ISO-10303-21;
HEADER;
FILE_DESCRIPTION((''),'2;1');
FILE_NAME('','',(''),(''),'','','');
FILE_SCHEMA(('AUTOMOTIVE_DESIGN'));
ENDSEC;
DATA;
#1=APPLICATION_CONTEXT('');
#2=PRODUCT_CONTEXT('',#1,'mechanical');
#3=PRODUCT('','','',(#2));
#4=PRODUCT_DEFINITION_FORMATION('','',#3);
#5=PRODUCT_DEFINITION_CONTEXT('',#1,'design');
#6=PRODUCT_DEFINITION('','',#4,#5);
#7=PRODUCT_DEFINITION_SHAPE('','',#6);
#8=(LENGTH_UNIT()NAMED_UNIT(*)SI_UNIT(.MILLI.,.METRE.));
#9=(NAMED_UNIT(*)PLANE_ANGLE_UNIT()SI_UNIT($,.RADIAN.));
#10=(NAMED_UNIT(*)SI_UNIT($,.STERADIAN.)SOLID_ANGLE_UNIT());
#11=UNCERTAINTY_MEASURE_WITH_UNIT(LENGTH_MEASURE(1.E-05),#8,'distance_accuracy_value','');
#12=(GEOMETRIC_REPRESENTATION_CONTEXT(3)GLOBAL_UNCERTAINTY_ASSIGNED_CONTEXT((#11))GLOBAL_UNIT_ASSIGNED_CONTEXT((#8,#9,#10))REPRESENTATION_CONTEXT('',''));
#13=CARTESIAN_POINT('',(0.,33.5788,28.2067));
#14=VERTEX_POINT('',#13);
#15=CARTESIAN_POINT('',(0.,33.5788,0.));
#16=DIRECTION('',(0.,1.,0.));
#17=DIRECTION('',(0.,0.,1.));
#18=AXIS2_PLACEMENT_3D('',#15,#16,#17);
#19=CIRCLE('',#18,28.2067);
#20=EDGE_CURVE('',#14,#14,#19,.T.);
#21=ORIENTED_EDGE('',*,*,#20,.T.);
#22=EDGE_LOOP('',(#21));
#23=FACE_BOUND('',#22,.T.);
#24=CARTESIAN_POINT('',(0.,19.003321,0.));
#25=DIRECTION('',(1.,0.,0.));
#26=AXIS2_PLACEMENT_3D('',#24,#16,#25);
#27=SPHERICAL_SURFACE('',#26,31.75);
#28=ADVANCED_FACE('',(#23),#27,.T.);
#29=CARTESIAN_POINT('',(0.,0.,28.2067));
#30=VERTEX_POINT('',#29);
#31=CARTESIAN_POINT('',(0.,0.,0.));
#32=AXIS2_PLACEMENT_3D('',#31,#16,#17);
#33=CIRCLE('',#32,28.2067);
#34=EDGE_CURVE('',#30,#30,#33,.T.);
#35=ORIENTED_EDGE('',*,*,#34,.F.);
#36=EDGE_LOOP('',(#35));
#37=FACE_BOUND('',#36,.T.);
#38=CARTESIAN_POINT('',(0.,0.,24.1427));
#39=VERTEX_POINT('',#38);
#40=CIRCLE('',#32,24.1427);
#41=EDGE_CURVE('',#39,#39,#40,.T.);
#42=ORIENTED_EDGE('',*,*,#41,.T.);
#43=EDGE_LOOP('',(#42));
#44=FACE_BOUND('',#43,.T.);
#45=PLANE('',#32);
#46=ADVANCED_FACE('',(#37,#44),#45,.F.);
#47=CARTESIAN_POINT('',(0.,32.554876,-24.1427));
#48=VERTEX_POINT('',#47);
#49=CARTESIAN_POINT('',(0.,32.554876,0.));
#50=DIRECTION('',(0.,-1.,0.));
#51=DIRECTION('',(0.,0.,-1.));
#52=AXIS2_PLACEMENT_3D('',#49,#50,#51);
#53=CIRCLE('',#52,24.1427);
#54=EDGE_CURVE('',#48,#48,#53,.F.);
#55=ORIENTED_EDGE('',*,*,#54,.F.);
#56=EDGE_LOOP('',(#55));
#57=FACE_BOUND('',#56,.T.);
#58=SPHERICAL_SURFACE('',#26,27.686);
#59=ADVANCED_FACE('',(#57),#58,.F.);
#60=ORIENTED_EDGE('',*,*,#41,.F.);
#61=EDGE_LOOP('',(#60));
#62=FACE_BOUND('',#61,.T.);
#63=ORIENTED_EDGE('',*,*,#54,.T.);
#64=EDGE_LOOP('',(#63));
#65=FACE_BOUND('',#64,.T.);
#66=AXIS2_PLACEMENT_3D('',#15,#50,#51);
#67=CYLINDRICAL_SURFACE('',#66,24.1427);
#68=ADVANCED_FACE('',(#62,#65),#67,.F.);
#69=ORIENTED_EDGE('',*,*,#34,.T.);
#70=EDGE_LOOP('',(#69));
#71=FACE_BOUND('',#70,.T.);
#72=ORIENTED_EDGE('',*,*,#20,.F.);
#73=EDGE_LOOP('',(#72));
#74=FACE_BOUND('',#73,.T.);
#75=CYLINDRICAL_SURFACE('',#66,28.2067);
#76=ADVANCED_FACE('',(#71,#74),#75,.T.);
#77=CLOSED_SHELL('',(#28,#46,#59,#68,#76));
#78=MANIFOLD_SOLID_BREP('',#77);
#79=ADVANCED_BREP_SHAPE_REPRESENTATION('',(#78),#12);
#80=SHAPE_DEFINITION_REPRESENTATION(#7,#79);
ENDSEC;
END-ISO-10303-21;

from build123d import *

# Parameters (mm, degrees)
SKETCH1_R           = 28.2067
BOSS_EXTRUDE1_DEPTH = 33.5788
SHELL1_T            = -4.064


with BuildPart() as part:
    # Sketch1 → Boss-Extrude1 (new body)
    with BuildSketch(Plane(origin=(0, 0, 0), x_dir=(1, 0, 0), z_dir=(0, 1, 0))):
        with Locations(Location((0, 0, 0), (0, 0, 270))):
            Circle(SKETCH1_R)
    extrude(amount=BOSS_EXTRUDE1_DEPTH)

    # Sketch2 → Revolve1 (revolve)
    with BuildSketch(Plane.XY, mode=Mode.PRIVATE) as revolve1_sk:
        with BuildLine():
            Line((0, 33.5788), (-28.2067, 33.5788))
            ThreePointArc((-28.2067, 33.5788), (-16.511981345, 46.121893901), (0, 50.753321445))
            Line((0, 50.753321445), (0, 33.5788))
        make_face()
    revolve(revolve1_sk.sketch.rotate(Axis((0, 50.753321445, 0), (0, -1, 0)), 180), axis=Axis((0, 50.753321445, 0), (0, -1, 0)))

    # Shell1
    shell1_openings = [part.faces().sort_by_distance(p)[0] for p in [
        (0, 0, 0),
    ]]
    offset(amount=SHELL1_T, openings=shell1_openings)


solid = part.part
